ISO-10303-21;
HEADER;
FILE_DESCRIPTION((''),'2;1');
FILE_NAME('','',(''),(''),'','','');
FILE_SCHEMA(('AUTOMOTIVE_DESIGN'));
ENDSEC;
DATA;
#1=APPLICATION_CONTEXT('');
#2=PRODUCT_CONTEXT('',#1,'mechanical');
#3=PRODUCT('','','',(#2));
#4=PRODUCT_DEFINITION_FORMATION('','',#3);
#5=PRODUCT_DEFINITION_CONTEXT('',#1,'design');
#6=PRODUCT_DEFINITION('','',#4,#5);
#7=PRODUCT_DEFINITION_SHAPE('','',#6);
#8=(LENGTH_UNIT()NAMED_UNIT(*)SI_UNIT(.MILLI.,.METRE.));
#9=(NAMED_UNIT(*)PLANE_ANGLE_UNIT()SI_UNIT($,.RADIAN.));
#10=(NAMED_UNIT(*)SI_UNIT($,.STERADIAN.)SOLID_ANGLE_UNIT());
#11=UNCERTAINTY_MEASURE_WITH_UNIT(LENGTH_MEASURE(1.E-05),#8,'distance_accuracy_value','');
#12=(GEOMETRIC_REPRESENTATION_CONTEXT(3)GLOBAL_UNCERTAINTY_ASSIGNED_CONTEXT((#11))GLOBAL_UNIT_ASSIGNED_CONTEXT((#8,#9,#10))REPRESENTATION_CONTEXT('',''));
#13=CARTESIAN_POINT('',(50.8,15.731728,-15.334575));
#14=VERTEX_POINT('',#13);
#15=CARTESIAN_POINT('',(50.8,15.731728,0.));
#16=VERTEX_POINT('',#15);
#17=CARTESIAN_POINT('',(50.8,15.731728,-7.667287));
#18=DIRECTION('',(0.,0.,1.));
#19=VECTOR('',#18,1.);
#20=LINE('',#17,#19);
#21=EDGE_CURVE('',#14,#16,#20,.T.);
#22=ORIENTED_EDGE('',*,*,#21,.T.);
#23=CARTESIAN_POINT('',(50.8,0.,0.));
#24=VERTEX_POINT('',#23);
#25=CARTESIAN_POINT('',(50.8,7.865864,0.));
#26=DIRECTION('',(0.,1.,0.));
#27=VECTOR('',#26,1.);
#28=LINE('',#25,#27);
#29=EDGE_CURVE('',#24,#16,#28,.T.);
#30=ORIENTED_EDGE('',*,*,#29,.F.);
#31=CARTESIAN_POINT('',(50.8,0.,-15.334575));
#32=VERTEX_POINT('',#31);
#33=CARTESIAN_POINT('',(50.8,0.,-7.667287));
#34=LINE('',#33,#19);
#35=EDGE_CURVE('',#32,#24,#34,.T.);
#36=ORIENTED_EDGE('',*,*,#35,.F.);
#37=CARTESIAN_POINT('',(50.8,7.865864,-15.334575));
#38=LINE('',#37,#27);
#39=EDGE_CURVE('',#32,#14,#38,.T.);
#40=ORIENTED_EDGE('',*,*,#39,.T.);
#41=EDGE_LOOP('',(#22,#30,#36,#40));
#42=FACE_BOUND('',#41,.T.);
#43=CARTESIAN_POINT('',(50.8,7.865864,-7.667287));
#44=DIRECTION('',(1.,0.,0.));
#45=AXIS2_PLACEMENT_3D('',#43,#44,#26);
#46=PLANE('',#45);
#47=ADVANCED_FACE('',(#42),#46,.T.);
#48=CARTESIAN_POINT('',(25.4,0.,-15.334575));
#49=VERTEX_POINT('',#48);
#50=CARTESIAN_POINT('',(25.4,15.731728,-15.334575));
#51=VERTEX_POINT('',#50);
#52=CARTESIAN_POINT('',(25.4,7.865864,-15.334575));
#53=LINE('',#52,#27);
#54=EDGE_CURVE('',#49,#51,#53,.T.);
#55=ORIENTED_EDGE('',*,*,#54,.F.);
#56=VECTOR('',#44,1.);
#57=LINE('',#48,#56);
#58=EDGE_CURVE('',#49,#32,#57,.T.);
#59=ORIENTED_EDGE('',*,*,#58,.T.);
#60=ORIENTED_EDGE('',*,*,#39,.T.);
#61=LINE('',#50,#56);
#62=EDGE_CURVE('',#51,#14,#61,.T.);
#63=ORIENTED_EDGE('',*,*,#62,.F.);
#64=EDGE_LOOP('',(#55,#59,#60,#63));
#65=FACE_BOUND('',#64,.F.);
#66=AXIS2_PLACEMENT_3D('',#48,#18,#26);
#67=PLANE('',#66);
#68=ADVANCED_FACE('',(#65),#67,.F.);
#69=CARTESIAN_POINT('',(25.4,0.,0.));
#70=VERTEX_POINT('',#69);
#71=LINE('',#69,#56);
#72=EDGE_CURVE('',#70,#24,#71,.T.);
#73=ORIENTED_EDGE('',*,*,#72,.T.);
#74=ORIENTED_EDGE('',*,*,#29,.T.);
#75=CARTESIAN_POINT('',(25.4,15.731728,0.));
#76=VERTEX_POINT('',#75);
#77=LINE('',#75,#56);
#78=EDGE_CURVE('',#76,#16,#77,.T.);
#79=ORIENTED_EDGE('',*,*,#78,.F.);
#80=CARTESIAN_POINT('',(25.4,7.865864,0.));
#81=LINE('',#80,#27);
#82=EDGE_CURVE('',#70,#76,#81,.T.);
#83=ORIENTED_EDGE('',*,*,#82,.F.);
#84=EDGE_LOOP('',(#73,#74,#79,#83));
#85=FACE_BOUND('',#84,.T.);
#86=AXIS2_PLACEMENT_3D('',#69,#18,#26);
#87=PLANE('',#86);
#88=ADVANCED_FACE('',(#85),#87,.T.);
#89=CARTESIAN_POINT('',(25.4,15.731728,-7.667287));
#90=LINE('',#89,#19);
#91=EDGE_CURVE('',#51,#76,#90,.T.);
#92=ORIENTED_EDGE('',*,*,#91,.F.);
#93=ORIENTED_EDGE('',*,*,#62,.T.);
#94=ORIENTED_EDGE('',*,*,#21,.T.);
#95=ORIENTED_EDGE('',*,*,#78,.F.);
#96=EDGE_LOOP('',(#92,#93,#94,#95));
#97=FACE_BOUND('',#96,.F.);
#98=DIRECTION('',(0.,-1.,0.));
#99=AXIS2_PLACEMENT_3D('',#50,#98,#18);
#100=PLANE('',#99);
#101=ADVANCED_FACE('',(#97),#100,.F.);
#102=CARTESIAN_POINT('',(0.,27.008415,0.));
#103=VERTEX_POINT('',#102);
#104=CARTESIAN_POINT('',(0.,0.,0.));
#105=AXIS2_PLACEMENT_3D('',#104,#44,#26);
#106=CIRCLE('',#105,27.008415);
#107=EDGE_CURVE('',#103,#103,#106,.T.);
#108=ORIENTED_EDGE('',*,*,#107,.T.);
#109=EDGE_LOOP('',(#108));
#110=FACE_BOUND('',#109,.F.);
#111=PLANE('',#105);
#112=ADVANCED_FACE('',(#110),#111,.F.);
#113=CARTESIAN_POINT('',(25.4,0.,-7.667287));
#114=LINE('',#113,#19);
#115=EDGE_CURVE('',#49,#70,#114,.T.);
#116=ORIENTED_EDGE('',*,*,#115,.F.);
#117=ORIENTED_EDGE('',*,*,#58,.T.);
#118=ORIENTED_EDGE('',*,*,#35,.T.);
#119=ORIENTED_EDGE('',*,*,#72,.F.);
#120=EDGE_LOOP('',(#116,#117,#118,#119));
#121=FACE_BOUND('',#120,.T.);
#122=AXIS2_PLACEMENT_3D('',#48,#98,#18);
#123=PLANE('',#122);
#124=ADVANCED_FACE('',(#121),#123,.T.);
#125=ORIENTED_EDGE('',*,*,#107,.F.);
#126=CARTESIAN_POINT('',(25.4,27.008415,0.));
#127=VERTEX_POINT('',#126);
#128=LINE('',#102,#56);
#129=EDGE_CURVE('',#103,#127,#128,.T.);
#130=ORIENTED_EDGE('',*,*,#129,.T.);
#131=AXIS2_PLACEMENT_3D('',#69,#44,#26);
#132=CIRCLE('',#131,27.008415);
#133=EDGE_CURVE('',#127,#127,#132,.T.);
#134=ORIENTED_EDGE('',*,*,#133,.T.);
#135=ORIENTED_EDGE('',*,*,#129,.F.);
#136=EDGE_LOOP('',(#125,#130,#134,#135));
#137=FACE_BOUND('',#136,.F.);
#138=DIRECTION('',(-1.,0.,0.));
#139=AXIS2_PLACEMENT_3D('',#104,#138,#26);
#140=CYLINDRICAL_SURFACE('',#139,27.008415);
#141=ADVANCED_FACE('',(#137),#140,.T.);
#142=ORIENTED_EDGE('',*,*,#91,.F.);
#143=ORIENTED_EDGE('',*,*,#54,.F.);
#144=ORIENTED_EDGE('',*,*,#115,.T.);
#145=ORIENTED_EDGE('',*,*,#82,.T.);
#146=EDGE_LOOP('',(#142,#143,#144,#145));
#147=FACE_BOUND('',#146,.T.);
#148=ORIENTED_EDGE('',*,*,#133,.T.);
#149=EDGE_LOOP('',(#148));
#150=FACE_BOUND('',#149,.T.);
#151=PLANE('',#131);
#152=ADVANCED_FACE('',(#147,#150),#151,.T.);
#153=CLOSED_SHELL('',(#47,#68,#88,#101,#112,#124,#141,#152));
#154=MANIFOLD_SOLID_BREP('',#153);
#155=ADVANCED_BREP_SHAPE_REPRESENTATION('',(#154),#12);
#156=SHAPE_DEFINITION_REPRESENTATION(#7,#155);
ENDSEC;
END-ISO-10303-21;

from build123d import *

# Parameters (mm, degrees)
F0_R     = 27.008415
F1_DEPTH = 25.4
F2_W     = 15.731728
F2_H     = 15.334575
F3_DEPTH = 25.4


with BuildPart() as f1:
    # F0 (on Right) → F1 (new body)
    with BuildSketch(Plane.YZ):
        Circle(F0_R)
    extrude(amount=F1_DEPTH)

    # F2 (on face) → F3 (join)
    with BuildSketch(Plane.YZ.offset(25.4)):
        with Locations((7.865864, -7.667287)):
            Rectangle(F2_W, F2_H)
    extrude(amount=F3_DEPTH)


solid = f1.part
